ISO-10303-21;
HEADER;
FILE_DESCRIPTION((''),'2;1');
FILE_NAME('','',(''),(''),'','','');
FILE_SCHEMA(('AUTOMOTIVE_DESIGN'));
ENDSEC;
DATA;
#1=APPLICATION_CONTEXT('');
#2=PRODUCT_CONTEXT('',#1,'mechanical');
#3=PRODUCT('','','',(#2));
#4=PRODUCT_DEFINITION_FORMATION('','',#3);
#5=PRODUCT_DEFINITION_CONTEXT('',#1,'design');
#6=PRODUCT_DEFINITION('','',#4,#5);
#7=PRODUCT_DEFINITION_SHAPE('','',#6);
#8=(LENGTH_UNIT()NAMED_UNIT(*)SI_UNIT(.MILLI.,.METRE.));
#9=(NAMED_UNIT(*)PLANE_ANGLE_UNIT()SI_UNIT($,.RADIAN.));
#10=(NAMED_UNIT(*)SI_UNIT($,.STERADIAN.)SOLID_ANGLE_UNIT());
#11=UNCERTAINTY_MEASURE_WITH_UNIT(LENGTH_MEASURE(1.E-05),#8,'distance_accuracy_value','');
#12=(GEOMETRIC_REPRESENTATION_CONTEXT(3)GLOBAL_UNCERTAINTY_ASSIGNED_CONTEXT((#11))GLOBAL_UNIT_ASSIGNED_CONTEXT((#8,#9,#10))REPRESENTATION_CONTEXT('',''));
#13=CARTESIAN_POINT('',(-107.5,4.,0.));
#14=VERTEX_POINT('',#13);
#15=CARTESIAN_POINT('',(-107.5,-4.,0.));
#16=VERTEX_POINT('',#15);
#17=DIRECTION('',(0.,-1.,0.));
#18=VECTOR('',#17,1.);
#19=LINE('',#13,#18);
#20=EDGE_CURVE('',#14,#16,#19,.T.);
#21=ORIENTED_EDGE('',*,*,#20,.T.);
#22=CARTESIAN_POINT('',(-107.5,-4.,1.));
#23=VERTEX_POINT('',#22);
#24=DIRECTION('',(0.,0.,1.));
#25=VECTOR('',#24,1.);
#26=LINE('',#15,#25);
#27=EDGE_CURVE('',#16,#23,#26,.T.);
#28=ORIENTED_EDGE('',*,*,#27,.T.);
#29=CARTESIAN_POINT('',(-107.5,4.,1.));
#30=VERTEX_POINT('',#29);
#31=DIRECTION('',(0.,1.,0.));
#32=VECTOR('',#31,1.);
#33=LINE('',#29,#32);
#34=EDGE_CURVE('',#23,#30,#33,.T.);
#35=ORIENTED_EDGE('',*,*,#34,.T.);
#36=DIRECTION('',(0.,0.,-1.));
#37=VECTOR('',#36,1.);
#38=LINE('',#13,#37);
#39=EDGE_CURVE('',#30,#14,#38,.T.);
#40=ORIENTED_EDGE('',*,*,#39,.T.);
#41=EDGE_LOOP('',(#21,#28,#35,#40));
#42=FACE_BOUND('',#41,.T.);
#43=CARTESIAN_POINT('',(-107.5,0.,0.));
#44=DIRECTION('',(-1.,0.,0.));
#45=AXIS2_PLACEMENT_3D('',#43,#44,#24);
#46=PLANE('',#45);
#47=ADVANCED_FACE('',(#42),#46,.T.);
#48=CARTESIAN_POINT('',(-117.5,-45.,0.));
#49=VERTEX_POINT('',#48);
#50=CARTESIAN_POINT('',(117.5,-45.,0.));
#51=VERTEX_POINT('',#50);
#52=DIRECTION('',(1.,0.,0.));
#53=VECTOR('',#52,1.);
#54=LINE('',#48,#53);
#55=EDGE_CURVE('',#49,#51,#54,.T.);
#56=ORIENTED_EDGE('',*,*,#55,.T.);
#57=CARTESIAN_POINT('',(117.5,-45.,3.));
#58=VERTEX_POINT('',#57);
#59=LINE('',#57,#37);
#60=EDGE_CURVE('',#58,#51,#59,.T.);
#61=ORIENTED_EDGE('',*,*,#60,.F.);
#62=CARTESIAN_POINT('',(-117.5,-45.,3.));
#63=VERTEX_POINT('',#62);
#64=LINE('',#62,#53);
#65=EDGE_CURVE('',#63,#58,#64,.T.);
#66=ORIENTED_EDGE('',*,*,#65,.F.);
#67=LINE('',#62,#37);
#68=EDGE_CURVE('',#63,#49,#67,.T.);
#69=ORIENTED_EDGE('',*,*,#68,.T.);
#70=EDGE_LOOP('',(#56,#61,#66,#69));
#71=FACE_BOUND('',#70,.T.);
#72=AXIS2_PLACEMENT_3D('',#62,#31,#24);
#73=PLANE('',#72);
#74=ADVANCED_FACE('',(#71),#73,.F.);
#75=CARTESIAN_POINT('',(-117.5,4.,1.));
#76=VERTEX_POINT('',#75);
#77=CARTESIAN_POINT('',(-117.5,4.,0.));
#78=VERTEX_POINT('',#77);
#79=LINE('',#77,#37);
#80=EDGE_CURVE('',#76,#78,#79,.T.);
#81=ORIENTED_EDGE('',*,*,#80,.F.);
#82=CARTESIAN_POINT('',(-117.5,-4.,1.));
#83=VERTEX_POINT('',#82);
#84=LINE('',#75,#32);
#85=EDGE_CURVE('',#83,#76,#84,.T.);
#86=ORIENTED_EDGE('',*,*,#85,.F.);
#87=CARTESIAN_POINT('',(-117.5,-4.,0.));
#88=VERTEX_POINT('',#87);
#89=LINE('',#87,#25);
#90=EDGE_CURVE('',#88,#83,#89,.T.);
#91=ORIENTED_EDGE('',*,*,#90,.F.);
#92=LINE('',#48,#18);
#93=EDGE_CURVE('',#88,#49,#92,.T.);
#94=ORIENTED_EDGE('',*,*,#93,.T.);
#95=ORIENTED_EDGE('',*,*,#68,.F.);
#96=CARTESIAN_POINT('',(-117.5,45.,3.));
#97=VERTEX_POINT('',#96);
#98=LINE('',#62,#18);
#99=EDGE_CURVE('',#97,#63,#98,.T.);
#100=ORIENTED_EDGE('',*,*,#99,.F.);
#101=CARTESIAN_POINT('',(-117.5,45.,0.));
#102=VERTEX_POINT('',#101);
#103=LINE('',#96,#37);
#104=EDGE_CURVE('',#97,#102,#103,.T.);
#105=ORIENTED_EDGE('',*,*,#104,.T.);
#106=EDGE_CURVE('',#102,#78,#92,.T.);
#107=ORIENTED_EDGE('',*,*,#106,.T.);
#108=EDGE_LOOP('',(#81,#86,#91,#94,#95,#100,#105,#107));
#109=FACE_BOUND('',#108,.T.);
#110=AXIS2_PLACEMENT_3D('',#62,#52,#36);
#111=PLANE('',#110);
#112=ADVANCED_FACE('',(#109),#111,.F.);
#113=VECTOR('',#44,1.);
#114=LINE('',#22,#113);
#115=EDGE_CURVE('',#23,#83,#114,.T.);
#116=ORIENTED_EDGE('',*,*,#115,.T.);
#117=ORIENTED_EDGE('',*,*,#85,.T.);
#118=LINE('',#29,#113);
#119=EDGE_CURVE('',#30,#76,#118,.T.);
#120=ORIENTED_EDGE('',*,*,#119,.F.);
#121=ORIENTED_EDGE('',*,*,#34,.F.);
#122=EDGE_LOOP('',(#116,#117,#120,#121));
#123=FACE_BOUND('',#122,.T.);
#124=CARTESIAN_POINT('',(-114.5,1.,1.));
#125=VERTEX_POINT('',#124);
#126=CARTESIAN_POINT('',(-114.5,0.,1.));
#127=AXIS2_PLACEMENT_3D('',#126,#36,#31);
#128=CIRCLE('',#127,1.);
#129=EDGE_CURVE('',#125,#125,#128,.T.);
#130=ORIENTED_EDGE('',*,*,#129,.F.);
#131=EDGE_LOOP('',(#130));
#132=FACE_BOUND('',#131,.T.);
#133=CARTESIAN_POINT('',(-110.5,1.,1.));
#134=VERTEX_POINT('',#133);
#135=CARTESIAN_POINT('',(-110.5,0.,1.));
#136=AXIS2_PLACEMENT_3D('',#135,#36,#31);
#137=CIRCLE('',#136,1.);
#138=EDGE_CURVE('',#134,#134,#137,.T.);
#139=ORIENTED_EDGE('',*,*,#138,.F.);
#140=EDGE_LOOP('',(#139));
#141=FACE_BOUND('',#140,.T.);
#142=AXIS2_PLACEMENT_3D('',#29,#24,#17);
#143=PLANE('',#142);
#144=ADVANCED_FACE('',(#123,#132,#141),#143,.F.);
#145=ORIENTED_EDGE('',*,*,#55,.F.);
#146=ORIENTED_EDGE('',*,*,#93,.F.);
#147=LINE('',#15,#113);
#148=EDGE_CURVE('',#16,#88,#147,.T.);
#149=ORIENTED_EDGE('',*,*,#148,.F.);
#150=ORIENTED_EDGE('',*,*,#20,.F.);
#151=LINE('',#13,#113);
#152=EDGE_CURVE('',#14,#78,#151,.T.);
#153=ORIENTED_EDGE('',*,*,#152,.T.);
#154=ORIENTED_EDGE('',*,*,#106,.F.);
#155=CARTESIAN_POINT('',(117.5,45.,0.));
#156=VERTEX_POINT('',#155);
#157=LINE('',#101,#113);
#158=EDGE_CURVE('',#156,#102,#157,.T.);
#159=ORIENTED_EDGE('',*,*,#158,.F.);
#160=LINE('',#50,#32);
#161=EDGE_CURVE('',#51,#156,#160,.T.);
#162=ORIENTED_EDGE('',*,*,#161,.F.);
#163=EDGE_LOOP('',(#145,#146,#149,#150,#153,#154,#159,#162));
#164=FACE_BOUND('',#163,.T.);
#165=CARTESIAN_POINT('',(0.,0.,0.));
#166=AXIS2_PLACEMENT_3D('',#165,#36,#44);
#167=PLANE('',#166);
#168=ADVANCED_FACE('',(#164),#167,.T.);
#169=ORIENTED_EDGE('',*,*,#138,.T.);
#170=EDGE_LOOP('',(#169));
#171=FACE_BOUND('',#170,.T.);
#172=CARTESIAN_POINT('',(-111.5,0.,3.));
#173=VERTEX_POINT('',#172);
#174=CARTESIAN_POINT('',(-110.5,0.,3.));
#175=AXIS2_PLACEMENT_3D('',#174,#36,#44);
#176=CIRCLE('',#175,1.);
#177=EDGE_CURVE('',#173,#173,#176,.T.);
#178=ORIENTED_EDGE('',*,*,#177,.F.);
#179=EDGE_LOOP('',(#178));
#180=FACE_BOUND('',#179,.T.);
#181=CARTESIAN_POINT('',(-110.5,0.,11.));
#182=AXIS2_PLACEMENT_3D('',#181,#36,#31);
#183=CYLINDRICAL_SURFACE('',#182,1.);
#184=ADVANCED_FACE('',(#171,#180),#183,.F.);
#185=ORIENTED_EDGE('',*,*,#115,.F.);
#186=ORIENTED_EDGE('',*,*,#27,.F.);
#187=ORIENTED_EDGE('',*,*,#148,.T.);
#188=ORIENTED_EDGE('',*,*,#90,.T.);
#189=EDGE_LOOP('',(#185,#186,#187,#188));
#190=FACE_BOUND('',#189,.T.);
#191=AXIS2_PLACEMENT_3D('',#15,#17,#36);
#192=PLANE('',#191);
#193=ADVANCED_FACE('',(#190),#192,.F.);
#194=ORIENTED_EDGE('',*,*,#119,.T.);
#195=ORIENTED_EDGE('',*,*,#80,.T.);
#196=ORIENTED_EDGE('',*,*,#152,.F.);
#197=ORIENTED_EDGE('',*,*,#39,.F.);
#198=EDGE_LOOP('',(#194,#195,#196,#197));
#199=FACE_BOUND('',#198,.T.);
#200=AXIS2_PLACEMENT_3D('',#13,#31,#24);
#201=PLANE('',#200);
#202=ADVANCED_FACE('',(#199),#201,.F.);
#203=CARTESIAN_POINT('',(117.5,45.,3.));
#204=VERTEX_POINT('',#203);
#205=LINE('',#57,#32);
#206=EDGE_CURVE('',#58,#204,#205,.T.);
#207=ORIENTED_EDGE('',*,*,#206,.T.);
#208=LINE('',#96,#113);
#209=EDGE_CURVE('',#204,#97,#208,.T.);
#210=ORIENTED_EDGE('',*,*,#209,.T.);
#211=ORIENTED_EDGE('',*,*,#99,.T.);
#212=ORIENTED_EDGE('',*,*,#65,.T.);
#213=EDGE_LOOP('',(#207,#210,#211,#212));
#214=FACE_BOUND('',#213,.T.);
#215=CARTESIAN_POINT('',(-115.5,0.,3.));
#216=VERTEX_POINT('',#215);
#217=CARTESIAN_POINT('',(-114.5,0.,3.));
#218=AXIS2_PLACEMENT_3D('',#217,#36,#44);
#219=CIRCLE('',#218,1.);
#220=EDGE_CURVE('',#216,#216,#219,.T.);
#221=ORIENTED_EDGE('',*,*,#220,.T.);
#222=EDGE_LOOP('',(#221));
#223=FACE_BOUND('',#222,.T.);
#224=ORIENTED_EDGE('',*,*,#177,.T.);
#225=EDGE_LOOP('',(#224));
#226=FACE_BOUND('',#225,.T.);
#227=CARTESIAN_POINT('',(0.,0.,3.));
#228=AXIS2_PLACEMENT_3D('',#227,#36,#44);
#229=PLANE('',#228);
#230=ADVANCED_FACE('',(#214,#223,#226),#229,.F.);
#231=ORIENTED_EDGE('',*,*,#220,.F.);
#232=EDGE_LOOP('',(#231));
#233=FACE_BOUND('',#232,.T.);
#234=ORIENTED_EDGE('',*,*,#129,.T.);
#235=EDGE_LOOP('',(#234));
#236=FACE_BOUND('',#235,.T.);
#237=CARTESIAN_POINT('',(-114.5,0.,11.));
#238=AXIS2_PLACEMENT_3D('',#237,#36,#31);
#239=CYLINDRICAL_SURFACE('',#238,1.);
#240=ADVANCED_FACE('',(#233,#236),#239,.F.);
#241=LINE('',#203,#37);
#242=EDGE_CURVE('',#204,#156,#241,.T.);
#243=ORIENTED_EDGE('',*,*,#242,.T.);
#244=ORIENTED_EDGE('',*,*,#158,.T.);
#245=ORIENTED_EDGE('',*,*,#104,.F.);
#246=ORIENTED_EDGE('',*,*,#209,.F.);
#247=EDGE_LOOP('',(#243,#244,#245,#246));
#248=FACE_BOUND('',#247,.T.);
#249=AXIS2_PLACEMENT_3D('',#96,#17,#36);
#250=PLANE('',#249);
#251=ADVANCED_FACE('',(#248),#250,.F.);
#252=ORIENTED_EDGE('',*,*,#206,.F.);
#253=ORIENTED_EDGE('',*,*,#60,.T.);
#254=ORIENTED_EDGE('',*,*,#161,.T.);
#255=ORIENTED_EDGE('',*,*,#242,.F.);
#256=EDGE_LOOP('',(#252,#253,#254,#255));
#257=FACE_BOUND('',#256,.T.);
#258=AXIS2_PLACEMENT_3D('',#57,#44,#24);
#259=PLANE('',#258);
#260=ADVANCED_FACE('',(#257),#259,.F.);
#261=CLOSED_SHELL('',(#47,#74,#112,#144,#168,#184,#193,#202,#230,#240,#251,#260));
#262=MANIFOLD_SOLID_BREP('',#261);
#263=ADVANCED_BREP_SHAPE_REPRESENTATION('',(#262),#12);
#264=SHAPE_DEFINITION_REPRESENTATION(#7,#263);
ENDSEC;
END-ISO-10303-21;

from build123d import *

# Parameters (mm, degrees)
SKETCH_1_W          = 235
SKETCH_1_H          = 90
EXTRUDE_1_DEPTH     = 3
SKETCH_2_W          = 1
SKETCH_2_H          = 8
CUT_EXTRUDE_1_DEPTH = 10
SKETCH_3_R          = 1
CUT_EXTRUDE_2_DEPTH = 10


with BuildPart() as part:
    # 草图1 → 凸台-拉伸1 (new body)
    with BuildSketch(Plane.XY):
        Rectangle(SKETCH_1_W, SKETCH_1_H)
    extrude(amount=EXTRUDE_1_DEPTH)

    # 草图2 → 切除-拉伸1 (cut)
    with BuildSketch(Plane.ZY.offset(117.5)):
        with Locations((0.5, 0)):
            Rectangle(SKETCH_2_W, SKETCH_2_H)
    extrude(amount=-CUT_EXTRUDE_1_DEPTH, mode=Mode.SUBTRACT)

    # 草图3 → 切除-拉伸2 (cut)
    with BuildSketch(Plane(origin=(0, 0, 1), x_dir=(-1, 0, 0), z_dir=(0, 0, -1))):
        with Locations(Location((110.5, 0, 0), (0, 0, 90))):
            Circle(SKETCH_3_R)
        with Locations(Location((114.5, 0, 0), (0, 0, 90))):
            Circle(SKETCH_3_R)
    extrude(amount=-CUT_EXTRUDE_2_DEPTH, mode=Mode.SUBTRACT)


solid = part.part
